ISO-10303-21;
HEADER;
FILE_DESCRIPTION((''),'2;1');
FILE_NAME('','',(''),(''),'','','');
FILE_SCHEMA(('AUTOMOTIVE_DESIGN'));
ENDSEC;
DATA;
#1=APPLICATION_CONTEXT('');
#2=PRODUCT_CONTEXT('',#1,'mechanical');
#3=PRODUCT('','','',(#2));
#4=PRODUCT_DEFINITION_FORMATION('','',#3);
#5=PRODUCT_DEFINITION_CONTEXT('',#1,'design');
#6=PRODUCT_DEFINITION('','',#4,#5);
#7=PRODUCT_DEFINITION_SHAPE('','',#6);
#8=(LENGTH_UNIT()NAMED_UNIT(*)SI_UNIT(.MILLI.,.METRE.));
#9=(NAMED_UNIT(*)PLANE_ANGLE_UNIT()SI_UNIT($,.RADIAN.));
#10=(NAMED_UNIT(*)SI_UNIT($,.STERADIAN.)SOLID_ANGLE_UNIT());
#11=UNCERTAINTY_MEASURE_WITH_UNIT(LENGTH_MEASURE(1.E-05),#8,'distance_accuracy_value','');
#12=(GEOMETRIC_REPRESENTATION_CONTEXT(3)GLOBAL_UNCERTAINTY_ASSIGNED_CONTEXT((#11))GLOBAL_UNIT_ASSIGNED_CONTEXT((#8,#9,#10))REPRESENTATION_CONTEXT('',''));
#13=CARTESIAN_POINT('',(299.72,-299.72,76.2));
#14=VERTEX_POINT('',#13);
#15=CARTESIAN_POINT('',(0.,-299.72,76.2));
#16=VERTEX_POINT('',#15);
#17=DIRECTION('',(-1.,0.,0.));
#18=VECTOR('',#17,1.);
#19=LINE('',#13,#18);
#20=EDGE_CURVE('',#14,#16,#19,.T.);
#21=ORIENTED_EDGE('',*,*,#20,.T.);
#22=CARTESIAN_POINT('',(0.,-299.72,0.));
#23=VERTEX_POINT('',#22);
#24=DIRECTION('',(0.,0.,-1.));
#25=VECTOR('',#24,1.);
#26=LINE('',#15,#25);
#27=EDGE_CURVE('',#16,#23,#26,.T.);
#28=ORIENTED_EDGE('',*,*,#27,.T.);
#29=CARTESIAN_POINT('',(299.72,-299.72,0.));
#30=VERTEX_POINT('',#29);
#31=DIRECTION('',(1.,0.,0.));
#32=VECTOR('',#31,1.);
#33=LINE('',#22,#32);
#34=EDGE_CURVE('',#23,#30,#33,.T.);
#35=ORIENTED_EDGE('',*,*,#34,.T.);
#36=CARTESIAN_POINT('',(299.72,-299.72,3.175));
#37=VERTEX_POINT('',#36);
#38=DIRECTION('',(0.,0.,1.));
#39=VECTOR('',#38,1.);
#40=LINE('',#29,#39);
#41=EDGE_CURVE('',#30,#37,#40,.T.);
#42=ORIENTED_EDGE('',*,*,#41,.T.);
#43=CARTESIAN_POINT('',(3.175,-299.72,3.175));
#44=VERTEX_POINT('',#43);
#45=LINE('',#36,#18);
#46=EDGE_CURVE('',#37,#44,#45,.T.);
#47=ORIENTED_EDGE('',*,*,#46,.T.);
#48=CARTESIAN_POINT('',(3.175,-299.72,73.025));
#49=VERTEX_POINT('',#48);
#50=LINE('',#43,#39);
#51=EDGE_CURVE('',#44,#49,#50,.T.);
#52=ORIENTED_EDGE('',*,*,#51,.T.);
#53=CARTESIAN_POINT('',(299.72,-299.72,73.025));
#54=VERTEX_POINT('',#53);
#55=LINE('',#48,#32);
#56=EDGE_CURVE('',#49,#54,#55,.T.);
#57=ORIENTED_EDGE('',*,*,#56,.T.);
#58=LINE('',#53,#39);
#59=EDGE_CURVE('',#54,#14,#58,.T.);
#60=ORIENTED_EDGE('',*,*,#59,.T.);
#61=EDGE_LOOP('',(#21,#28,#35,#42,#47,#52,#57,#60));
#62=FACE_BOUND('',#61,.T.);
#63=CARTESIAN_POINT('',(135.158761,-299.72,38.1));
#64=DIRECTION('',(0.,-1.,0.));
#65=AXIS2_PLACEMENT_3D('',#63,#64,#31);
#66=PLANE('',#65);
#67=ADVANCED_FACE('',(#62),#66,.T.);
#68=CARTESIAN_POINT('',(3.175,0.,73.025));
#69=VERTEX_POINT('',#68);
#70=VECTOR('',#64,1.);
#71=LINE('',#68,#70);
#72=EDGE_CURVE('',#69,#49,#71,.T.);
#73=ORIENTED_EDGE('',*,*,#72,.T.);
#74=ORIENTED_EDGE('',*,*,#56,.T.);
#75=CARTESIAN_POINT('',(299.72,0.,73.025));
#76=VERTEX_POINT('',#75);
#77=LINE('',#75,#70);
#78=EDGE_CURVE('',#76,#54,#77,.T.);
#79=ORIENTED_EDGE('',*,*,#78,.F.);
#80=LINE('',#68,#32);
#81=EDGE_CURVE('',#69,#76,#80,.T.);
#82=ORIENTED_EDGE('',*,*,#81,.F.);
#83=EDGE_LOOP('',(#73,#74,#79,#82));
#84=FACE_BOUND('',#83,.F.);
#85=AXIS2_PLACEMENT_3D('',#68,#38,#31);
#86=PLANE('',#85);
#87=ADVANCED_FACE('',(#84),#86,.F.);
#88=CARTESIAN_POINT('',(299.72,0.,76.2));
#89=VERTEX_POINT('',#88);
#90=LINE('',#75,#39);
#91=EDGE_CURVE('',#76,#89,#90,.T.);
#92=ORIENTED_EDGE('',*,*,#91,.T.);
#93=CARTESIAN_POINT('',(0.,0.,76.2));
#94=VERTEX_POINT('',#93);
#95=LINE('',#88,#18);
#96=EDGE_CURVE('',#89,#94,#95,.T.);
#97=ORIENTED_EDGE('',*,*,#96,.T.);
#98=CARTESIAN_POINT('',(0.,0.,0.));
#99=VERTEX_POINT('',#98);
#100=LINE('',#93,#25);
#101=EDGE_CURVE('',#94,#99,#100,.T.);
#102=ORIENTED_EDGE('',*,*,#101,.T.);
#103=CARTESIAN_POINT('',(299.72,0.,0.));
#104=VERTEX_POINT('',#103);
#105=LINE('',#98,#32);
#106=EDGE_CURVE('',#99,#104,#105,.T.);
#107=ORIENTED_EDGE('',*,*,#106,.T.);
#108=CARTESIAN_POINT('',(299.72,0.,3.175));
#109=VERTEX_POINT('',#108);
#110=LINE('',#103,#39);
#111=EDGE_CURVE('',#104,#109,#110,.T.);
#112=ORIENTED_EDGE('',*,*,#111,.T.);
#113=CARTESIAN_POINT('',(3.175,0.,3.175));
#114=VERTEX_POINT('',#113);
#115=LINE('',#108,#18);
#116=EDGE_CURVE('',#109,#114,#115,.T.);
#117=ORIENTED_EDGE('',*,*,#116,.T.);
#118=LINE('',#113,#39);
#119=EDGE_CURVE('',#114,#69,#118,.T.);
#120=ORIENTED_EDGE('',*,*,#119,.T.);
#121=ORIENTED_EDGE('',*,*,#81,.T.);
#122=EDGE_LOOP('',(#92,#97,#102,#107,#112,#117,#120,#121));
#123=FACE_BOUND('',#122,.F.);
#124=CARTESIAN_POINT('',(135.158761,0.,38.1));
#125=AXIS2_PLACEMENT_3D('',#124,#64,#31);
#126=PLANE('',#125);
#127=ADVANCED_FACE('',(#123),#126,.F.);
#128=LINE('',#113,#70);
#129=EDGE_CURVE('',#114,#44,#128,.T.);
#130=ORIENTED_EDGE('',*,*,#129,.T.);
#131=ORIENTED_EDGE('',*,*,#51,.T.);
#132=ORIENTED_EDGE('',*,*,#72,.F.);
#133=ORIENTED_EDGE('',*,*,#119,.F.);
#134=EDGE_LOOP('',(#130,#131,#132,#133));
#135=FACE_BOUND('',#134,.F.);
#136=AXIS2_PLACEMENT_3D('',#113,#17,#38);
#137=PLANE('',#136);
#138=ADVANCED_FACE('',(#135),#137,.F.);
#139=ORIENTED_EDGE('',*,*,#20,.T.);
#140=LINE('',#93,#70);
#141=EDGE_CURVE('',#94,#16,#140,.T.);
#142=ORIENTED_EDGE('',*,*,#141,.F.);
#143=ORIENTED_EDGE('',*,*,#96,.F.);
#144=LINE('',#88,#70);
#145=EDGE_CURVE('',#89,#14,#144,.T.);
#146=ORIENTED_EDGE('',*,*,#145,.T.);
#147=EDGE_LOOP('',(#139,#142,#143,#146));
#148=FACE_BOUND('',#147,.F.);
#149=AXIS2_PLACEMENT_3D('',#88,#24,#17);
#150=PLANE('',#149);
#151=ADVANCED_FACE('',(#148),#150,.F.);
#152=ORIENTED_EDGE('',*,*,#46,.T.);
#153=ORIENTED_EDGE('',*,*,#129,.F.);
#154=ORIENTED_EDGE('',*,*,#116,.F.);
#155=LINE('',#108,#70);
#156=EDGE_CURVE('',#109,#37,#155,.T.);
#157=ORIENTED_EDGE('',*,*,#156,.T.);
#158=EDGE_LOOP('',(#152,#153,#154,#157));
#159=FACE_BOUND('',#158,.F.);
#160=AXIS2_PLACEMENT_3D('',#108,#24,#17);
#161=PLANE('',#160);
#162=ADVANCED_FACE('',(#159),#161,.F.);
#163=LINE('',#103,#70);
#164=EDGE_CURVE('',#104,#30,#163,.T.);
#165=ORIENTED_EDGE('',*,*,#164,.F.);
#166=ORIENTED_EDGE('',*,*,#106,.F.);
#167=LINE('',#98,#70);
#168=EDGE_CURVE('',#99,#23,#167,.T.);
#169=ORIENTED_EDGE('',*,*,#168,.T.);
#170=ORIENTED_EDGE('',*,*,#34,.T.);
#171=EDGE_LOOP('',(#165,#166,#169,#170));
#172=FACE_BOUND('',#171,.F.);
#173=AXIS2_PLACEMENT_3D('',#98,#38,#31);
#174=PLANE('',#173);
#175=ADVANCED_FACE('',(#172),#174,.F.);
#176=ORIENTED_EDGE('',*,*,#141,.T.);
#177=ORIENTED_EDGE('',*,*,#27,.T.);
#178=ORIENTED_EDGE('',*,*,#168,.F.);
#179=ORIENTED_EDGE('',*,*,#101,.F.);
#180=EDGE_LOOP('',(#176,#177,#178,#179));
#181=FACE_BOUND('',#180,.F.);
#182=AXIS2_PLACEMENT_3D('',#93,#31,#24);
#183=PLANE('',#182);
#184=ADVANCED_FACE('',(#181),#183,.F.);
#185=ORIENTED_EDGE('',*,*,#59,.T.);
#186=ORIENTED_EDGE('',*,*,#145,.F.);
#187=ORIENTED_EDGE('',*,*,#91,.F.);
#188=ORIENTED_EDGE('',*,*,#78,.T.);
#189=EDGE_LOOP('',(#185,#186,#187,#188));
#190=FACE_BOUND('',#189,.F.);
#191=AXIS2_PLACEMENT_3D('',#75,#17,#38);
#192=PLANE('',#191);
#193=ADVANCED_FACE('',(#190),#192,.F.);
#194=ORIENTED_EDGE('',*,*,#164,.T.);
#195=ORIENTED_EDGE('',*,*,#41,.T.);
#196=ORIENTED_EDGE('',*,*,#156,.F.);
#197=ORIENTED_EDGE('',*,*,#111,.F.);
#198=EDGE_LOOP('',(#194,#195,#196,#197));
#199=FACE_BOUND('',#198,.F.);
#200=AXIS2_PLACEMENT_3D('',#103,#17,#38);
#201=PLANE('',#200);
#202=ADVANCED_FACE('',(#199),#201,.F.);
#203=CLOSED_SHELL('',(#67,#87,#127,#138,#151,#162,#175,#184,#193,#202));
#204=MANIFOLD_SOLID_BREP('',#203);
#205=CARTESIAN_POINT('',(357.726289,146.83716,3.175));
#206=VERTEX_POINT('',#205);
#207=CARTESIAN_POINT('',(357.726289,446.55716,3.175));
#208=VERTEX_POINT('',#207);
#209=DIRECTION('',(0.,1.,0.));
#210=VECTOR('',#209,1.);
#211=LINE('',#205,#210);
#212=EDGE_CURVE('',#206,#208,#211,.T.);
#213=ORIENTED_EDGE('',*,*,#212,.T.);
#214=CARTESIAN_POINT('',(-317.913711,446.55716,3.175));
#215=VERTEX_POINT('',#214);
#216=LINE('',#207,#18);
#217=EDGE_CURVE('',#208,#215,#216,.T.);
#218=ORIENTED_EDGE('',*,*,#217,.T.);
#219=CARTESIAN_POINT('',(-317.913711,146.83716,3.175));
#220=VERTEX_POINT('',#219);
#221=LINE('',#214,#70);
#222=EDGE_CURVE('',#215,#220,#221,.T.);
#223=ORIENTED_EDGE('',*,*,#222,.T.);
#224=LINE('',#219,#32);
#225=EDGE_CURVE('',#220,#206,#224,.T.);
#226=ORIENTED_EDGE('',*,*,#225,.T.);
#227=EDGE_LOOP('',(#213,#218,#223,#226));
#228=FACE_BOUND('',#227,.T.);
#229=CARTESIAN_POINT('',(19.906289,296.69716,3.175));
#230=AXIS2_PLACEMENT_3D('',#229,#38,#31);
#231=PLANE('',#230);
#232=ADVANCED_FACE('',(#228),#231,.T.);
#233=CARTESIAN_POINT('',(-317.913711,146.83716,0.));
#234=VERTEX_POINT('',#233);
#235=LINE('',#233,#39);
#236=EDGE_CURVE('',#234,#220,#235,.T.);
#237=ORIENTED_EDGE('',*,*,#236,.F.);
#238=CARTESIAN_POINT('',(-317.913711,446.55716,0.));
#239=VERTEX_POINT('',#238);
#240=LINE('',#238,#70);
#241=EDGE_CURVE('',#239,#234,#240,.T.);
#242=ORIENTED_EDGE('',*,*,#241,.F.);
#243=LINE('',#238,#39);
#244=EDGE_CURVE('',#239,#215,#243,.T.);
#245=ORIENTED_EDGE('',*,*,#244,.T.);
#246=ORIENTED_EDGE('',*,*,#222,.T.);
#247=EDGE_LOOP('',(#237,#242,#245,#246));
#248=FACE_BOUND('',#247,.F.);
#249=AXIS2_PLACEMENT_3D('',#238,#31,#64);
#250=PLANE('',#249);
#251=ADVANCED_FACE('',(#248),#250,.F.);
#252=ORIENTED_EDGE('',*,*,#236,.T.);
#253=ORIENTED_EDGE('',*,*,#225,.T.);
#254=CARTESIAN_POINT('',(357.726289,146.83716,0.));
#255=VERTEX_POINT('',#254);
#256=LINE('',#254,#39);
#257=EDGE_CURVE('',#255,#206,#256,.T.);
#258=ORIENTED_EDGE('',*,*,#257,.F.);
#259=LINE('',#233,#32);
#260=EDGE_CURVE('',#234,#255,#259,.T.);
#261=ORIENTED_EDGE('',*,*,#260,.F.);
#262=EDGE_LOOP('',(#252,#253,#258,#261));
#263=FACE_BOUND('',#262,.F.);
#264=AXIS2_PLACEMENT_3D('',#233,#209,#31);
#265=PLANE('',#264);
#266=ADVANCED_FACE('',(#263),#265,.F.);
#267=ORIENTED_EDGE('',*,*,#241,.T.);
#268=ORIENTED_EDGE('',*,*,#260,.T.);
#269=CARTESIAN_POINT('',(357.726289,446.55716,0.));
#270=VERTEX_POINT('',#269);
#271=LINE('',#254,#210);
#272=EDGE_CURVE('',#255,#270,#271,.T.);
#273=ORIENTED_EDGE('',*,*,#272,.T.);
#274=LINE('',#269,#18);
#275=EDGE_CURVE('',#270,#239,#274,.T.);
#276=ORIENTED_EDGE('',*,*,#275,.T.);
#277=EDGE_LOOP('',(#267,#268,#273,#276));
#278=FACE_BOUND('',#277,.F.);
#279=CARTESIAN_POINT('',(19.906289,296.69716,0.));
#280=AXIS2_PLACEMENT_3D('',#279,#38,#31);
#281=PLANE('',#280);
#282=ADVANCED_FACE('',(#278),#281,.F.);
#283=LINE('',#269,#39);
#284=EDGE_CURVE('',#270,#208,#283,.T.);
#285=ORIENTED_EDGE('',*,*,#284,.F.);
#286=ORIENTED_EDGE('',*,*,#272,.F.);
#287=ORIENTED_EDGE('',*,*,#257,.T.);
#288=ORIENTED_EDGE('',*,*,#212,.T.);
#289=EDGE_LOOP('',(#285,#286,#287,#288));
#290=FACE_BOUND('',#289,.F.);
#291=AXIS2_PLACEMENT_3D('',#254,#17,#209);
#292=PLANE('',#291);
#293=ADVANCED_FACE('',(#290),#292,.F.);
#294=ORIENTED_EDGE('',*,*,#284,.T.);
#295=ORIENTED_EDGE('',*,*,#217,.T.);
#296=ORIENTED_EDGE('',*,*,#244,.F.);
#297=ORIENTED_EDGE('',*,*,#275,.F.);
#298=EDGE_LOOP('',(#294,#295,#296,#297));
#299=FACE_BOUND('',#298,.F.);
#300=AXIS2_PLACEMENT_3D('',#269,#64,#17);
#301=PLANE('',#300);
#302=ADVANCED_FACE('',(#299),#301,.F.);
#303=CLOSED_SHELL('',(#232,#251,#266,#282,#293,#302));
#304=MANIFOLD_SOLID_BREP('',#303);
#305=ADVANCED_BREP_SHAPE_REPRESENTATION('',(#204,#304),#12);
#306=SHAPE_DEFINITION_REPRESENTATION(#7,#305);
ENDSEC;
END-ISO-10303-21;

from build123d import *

# Parameters (mm, degrees)
F1_DEPTH = 299.72
F3_DEPTH = 3.175


with BuildPart() as f1:
    # F0 (on Front) → F1 (new body)
    with BuildSketch(Plane.XZ):
        Polygon((0, 76.2), (0, 0), (299.72, 0), (299.72, 3.175), (3.175, 3.175), (3.175, 73.025), (299.72, 73.025), (299.72, 76.2), align=None)
    extrude(amount=F1_DEPTH)


with BuildPart() as f3:
    # F2 (on Top) → F3 (new body)
    with BuildSketch(Plane.XY):
        Polygon((-317.913711, 446.55716), (-317.913711, 146.83716), (-18.193711, 146.83716), (58.006289, 146.83716), (357.726289, 146.83716), (357.726289, 446.55716), (58.006289, 446.55716), (-18.193711, 446.55716), align=None)
    extrude(amount=F3_DEPTH)


solid = Compound([f1.part, f3.part])
